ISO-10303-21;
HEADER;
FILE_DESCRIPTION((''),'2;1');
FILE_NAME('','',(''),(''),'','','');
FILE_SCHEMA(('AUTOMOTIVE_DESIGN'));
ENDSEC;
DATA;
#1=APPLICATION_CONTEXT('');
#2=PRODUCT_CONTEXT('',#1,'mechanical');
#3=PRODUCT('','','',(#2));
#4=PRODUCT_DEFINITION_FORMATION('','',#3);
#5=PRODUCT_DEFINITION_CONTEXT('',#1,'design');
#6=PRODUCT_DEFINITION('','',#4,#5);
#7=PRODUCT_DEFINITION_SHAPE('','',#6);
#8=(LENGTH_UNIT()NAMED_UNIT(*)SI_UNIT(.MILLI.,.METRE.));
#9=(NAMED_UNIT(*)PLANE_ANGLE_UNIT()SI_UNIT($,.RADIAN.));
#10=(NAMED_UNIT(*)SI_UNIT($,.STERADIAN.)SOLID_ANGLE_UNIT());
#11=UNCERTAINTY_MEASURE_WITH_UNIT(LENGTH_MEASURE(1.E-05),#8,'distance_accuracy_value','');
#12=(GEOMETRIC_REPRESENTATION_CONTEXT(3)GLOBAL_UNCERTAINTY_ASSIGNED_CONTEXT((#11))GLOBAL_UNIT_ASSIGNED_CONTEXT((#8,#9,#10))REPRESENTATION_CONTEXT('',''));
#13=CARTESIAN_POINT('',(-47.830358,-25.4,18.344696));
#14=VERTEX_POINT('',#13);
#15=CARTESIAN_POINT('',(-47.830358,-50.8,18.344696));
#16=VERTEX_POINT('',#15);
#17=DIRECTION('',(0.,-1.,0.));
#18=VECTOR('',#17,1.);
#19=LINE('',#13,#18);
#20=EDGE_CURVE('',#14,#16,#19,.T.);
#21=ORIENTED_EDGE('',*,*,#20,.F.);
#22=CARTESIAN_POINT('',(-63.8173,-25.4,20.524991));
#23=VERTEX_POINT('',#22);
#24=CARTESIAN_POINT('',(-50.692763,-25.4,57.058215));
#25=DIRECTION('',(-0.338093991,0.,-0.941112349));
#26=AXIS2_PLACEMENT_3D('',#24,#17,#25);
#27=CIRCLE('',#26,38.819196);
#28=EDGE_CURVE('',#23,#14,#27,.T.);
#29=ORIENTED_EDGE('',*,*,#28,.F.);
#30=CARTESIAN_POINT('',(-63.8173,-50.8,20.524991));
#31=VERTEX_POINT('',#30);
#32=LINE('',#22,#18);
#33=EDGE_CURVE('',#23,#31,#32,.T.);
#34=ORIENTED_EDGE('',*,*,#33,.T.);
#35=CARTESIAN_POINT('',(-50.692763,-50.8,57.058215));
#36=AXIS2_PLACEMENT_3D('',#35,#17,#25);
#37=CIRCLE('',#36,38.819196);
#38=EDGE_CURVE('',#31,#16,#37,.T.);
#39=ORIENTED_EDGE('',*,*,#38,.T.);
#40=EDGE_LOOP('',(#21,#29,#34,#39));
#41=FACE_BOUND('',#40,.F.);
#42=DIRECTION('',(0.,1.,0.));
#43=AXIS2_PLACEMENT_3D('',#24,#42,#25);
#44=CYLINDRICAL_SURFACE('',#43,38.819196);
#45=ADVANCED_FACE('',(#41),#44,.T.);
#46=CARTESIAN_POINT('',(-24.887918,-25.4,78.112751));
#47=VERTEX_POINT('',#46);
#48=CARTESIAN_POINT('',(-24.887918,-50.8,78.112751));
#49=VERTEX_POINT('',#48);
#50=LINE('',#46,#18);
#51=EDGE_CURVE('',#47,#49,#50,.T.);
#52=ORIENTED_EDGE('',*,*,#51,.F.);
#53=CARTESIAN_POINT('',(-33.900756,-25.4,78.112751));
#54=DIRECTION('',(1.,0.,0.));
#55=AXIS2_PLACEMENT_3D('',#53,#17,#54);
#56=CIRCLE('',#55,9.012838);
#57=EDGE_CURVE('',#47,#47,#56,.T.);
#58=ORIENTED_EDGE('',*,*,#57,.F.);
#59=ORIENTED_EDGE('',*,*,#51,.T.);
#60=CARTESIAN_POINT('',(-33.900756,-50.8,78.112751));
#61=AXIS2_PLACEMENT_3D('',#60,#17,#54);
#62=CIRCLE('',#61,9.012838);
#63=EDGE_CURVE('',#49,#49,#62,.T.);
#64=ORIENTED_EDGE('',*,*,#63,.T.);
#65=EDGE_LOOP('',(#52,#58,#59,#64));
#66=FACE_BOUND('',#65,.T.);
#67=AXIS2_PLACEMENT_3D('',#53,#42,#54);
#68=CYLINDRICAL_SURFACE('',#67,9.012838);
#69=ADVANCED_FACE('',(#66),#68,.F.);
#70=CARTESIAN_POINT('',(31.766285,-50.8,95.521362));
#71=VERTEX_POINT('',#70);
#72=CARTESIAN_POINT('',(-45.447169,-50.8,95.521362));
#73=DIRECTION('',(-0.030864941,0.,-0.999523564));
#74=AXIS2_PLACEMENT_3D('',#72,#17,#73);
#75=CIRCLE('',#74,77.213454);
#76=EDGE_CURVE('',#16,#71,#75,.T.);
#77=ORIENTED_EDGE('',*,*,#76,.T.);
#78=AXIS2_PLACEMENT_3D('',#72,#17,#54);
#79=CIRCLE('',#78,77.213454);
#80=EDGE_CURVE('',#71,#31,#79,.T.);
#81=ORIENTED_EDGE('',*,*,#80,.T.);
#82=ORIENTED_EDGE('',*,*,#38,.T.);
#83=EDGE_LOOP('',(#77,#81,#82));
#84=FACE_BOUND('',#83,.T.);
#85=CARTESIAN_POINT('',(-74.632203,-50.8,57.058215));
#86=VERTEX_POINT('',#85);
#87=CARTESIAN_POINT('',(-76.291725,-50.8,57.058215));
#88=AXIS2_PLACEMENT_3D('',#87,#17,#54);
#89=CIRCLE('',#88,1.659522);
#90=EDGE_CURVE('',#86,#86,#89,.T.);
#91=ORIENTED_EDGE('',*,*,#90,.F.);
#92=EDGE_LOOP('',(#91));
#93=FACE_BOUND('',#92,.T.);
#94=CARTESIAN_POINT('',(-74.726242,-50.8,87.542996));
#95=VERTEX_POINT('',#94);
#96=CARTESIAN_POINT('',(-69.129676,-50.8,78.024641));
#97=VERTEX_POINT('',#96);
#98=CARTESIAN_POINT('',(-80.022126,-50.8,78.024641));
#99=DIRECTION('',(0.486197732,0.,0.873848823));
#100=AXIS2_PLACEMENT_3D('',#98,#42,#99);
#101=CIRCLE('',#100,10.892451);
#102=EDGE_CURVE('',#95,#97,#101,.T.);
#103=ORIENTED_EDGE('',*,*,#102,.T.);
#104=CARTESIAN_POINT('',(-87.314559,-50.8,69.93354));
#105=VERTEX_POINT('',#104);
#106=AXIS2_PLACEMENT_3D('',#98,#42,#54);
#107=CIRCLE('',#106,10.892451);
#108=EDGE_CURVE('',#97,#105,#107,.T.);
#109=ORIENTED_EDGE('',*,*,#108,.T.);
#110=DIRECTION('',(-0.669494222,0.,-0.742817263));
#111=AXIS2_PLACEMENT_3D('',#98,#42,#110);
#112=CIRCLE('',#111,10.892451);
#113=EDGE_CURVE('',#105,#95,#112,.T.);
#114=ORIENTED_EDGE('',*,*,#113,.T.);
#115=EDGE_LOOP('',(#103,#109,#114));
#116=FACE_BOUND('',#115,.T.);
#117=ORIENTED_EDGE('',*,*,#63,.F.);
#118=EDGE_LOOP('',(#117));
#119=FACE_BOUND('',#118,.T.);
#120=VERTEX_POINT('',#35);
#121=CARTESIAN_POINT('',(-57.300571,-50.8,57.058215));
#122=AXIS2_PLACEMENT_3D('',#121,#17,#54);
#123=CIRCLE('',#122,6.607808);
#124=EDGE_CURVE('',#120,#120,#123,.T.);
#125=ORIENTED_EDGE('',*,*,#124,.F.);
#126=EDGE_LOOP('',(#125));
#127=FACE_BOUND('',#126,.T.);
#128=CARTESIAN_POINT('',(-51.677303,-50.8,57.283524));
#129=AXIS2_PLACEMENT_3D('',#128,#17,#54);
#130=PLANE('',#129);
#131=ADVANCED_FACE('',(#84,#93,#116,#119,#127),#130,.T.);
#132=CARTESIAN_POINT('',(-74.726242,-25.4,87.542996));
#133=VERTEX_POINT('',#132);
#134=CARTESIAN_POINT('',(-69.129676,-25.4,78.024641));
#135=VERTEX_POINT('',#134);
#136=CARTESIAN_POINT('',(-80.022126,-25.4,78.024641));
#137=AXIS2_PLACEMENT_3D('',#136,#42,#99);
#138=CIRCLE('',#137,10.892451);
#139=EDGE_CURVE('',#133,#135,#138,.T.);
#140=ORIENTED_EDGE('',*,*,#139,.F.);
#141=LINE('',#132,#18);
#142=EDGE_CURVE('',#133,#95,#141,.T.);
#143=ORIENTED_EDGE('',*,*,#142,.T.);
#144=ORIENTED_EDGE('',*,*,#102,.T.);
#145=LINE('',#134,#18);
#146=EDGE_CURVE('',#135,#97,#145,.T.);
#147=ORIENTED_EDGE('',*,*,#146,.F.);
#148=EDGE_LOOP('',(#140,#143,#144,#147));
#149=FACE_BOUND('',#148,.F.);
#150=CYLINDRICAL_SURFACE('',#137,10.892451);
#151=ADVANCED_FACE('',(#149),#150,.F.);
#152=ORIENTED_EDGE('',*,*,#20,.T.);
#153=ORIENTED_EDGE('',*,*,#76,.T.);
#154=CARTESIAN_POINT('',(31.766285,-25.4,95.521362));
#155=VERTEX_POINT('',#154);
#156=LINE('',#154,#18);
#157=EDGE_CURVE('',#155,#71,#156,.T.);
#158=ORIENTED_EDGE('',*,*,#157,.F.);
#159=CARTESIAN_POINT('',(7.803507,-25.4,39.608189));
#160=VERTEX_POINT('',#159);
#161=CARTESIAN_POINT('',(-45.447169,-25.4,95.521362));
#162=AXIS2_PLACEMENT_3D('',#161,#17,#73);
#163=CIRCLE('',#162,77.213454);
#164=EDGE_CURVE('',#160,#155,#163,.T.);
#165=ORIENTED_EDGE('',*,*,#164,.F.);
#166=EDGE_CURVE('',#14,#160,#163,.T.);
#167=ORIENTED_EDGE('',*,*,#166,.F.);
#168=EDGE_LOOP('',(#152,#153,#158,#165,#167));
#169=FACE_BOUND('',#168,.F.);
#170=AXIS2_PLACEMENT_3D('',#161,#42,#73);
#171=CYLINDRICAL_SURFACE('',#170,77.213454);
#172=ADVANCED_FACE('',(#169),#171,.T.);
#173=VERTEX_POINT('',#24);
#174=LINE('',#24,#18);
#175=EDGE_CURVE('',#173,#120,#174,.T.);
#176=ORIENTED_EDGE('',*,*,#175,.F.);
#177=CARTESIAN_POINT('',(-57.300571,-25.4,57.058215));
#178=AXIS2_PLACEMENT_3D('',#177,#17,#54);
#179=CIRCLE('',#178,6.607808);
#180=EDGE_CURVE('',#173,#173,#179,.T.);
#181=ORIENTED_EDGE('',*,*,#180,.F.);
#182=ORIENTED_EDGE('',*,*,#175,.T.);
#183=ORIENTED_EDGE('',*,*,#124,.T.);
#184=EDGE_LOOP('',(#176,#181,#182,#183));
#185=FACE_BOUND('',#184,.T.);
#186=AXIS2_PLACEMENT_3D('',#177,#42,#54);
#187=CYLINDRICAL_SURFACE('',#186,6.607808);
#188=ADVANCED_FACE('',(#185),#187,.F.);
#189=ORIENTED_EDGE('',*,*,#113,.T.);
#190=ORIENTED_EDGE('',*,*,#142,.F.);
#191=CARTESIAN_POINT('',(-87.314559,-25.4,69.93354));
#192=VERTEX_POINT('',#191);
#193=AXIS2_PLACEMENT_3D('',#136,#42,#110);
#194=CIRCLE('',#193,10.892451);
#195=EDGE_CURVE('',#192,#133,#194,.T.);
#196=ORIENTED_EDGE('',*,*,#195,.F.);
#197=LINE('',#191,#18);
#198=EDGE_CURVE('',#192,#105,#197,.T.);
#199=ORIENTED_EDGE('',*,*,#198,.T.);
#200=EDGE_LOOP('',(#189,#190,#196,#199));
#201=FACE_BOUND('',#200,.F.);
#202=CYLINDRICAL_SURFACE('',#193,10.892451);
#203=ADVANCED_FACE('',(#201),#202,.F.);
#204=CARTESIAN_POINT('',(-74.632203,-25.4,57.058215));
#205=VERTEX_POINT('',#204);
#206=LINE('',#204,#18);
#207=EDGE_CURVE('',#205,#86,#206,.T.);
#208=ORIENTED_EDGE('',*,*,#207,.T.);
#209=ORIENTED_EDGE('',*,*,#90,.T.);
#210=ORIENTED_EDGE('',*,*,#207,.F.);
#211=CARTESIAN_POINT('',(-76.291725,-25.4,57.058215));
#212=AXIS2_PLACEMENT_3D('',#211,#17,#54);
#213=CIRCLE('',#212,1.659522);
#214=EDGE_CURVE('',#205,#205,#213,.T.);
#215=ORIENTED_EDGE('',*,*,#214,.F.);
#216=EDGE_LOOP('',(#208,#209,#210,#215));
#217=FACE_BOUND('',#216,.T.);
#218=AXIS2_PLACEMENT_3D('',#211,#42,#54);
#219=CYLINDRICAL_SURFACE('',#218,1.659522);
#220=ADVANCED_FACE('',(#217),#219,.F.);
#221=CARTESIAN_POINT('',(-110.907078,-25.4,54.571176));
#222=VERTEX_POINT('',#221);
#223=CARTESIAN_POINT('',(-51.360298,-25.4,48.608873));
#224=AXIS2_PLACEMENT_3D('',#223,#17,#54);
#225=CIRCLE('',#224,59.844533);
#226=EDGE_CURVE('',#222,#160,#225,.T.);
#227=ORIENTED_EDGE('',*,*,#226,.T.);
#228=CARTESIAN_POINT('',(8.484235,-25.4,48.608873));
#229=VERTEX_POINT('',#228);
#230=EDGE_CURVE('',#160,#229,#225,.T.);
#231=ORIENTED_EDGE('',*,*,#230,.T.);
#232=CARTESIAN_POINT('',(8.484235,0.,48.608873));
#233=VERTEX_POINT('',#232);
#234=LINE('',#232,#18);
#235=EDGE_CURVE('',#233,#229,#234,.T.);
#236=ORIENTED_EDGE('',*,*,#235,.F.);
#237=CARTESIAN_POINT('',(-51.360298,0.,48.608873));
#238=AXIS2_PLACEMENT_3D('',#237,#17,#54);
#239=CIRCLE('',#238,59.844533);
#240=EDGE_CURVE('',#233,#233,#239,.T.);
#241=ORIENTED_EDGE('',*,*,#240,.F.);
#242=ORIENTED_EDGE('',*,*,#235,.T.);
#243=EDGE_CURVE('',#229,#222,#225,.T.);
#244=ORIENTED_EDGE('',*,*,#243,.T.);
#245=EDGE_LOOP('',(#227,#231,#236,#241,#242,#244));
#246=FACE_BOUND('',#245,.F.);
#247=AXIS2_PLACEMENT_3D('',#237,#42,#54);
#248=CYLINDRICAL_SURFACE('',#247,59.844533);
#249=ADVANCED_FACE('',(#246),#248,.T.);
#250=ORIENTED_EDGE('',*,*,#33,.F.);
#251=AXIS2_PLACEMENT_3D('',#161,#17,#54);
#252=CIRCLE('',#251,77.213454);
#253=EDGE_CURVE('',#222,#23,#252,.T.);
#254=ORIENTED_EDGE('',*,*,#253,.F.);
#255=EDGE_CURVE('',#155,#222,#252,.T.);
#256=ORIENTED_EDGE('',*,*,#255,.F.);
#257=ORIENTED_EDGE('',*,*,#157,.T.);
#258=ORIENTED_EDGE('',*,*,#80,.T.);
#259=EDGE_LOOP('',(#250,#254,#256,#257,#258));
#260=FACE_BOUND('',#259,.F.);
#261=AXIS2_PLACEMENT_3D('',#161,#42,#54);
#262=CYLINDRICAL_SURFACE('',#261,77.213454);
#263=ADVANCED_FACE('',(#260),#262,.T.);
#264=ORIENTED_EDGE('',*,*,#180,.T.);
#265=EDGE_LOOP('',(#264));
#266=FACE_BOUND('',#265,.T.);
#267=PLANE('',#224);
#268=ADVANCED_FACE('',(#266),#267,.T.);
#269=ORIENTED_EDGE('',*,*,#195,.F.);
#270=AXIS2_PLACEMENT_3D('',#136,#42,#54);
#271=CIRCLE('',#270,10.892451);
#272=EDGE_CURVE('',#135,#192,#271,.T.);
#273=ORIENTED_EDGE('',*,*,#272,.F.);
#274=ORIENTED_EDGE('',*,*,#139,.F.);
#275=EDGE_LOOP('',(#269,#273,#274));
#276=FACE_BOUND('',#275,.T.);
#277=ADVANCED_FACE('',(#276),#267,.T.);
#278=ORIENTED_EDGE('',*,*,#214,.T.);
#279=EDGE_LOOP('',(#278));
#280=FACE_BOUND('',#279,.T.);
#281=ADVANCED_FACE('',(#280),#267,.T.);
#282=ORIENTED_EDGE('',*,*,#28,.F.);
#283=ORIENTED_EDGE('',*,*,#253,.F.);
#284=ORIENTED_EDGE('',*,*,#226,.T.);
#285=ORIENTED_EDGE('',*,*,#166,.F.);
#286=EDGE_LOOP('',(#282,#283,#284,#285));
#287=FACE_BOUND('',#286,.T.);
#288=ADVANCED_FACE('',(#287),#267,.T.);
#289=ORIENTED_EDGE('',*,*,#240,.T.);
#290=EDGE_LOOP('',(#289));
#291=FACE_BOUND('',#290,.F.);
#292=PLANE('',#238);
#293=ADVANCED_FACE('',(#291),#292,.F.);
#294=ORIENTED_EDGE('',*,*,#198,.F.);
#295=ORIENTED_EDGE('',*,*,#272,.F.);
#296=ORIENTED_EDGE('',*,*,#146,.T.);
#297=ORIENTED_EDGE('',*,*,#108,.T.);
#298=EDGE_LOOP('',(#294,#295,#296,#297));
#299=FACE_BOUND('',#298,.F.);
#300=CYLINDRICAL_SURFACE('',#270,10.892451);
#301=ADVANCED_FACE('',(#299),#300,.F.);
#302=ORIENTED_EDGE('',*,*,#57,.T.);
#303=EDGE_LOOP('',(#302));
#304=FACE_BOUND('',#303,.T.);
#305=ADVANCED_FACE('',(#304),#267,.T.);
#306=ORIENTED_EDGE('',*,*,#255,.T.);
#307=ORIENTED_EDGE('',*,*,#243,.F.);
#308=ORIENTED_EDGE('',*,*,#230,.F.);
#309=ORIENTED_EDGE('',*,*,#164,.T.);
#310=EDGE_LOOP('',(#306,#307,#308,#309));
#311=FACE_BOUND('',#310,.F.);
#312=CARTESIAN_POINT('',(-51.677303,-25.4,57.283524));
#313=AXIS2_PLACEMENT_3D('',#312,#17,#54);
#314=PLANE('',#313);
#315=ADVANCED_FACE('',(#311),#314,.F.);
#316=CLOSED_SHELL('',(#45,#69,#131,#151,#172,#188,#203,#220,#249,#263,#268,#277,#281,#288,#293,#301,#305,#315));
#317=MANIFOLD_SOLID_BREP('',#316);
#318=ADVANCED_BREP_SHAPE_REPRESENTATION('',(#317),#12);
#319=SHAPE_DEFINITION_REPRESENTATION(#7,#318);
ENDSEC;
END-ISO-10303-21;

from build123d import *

# Parameters (mm, degrees)
F0_R     = 59.8445328198
F1_DEPTH = 25.4
F2_R     = 1.6595219512
F2_R_2   = 6.6078081375
F2_R_3   = 9.0128381588
F3_DEPTH = 25.4


with BuildPart() as f1:
    # F0 (on Front) → F1 (new body)
    with BuildSketch(Plane.XZ):
        with Locations((-51.3602979481, 48.6088730395)):
            Circle(F0_R)
    extrude(amount=F1_DEPTH)

    # F2 (on face) → F3 (join)
    with BuildSketch(Plane.XZ.offset(25.4)):
        with BuildLine():
            ThreePointArc((-74.7262415408, 87.5429960215), (-70.6324871698, 83.5455246385), (-69.1296755989, 78.0246406794))
            ThreePointArc((-69.1296755989, 78.0246406794), (-75.594202636, 68.0728078801), (-87.3145593395, 69.9335401611))
            ThreePointArc((-87.3145593395, 69.9335401611), (-85.74951144, 40.3862521604), (-63.8172999639, 20.5249907984))
            ThreePointArc((-63.8172999639, 20.5249907984), (-55.8809359492, 19.0161078752), (-47.8303578802, 18.3446957784))
            ThreePointArc((-47.8303578802, 18.3446957784), (-22.2494316739, 30.6402887159), (-11.8735676311, 57.0582151413))
            ThreePointArc((-11.8735676311, 57.0582151413), (-33.7521367496, 91.9859279311), (-74.7262415408, 87.5429960215))
        make_face()
        with Locations((-76.2917250395, 57.0582151413)):
            Circle(F2_R, mode=Mode.SUBTRACT)
        with Locations((-57.3005713522, 57.0582151413)):
            Circle(F2_R_2, mode=Mode.SUBTRACT)
        with Locations((-33.9007563889, 78.1127512455)):
            Circle(F2_R_3, mode=Mode.SUBTRACT)
        with BuildLine():
            ThreePointArc((-87.3145593395, 69.9335401611), (-88.8832654664, 84.3591256886), (-74.7262415408, 87.5429960215))
            ThreePointArc((-74.7262415408, 87.5429960215), (-33.7521367496, 91.9859279311), (-11.8735676311, 57.0582151413))
            ThreePointArc((-11.8735676311, 57.0582151413), (-22.2494316739, 30.6402887159), (-47.8303578802, 18.3446957784))
            ThreePointArc((-47.8303578802, 18.3446957784), (8.3017992463, 40.0870242253), (31.7662845989, 95.5213622938))
            ThreePointArc((31.7662845989, 95.5213622938), (-93.1100278653, 156.2681263545), (-63.8172999639, 20.5249907984))
            ThreePointArc((-63.8172999639, 20.5249907984), (-85.74951144, 40.3862521604), (-87.3145593395, 69.9335401611))
        make_face()
        with BuildLine():
            ThreePointArc((-47.8303578802, 18.3446957784), (-55.8809359492, 19.0161078752), (-63.8172999639, 20.5249907984))
            ThreePointArc((-63.8172999639, 20.5249907984), (-55.9383572599, 18.5950679887), (-47.8303578802, 18.3446957784))
        make_face()
    extrude(amount=F3_DEPTH)


solid = f1.part
